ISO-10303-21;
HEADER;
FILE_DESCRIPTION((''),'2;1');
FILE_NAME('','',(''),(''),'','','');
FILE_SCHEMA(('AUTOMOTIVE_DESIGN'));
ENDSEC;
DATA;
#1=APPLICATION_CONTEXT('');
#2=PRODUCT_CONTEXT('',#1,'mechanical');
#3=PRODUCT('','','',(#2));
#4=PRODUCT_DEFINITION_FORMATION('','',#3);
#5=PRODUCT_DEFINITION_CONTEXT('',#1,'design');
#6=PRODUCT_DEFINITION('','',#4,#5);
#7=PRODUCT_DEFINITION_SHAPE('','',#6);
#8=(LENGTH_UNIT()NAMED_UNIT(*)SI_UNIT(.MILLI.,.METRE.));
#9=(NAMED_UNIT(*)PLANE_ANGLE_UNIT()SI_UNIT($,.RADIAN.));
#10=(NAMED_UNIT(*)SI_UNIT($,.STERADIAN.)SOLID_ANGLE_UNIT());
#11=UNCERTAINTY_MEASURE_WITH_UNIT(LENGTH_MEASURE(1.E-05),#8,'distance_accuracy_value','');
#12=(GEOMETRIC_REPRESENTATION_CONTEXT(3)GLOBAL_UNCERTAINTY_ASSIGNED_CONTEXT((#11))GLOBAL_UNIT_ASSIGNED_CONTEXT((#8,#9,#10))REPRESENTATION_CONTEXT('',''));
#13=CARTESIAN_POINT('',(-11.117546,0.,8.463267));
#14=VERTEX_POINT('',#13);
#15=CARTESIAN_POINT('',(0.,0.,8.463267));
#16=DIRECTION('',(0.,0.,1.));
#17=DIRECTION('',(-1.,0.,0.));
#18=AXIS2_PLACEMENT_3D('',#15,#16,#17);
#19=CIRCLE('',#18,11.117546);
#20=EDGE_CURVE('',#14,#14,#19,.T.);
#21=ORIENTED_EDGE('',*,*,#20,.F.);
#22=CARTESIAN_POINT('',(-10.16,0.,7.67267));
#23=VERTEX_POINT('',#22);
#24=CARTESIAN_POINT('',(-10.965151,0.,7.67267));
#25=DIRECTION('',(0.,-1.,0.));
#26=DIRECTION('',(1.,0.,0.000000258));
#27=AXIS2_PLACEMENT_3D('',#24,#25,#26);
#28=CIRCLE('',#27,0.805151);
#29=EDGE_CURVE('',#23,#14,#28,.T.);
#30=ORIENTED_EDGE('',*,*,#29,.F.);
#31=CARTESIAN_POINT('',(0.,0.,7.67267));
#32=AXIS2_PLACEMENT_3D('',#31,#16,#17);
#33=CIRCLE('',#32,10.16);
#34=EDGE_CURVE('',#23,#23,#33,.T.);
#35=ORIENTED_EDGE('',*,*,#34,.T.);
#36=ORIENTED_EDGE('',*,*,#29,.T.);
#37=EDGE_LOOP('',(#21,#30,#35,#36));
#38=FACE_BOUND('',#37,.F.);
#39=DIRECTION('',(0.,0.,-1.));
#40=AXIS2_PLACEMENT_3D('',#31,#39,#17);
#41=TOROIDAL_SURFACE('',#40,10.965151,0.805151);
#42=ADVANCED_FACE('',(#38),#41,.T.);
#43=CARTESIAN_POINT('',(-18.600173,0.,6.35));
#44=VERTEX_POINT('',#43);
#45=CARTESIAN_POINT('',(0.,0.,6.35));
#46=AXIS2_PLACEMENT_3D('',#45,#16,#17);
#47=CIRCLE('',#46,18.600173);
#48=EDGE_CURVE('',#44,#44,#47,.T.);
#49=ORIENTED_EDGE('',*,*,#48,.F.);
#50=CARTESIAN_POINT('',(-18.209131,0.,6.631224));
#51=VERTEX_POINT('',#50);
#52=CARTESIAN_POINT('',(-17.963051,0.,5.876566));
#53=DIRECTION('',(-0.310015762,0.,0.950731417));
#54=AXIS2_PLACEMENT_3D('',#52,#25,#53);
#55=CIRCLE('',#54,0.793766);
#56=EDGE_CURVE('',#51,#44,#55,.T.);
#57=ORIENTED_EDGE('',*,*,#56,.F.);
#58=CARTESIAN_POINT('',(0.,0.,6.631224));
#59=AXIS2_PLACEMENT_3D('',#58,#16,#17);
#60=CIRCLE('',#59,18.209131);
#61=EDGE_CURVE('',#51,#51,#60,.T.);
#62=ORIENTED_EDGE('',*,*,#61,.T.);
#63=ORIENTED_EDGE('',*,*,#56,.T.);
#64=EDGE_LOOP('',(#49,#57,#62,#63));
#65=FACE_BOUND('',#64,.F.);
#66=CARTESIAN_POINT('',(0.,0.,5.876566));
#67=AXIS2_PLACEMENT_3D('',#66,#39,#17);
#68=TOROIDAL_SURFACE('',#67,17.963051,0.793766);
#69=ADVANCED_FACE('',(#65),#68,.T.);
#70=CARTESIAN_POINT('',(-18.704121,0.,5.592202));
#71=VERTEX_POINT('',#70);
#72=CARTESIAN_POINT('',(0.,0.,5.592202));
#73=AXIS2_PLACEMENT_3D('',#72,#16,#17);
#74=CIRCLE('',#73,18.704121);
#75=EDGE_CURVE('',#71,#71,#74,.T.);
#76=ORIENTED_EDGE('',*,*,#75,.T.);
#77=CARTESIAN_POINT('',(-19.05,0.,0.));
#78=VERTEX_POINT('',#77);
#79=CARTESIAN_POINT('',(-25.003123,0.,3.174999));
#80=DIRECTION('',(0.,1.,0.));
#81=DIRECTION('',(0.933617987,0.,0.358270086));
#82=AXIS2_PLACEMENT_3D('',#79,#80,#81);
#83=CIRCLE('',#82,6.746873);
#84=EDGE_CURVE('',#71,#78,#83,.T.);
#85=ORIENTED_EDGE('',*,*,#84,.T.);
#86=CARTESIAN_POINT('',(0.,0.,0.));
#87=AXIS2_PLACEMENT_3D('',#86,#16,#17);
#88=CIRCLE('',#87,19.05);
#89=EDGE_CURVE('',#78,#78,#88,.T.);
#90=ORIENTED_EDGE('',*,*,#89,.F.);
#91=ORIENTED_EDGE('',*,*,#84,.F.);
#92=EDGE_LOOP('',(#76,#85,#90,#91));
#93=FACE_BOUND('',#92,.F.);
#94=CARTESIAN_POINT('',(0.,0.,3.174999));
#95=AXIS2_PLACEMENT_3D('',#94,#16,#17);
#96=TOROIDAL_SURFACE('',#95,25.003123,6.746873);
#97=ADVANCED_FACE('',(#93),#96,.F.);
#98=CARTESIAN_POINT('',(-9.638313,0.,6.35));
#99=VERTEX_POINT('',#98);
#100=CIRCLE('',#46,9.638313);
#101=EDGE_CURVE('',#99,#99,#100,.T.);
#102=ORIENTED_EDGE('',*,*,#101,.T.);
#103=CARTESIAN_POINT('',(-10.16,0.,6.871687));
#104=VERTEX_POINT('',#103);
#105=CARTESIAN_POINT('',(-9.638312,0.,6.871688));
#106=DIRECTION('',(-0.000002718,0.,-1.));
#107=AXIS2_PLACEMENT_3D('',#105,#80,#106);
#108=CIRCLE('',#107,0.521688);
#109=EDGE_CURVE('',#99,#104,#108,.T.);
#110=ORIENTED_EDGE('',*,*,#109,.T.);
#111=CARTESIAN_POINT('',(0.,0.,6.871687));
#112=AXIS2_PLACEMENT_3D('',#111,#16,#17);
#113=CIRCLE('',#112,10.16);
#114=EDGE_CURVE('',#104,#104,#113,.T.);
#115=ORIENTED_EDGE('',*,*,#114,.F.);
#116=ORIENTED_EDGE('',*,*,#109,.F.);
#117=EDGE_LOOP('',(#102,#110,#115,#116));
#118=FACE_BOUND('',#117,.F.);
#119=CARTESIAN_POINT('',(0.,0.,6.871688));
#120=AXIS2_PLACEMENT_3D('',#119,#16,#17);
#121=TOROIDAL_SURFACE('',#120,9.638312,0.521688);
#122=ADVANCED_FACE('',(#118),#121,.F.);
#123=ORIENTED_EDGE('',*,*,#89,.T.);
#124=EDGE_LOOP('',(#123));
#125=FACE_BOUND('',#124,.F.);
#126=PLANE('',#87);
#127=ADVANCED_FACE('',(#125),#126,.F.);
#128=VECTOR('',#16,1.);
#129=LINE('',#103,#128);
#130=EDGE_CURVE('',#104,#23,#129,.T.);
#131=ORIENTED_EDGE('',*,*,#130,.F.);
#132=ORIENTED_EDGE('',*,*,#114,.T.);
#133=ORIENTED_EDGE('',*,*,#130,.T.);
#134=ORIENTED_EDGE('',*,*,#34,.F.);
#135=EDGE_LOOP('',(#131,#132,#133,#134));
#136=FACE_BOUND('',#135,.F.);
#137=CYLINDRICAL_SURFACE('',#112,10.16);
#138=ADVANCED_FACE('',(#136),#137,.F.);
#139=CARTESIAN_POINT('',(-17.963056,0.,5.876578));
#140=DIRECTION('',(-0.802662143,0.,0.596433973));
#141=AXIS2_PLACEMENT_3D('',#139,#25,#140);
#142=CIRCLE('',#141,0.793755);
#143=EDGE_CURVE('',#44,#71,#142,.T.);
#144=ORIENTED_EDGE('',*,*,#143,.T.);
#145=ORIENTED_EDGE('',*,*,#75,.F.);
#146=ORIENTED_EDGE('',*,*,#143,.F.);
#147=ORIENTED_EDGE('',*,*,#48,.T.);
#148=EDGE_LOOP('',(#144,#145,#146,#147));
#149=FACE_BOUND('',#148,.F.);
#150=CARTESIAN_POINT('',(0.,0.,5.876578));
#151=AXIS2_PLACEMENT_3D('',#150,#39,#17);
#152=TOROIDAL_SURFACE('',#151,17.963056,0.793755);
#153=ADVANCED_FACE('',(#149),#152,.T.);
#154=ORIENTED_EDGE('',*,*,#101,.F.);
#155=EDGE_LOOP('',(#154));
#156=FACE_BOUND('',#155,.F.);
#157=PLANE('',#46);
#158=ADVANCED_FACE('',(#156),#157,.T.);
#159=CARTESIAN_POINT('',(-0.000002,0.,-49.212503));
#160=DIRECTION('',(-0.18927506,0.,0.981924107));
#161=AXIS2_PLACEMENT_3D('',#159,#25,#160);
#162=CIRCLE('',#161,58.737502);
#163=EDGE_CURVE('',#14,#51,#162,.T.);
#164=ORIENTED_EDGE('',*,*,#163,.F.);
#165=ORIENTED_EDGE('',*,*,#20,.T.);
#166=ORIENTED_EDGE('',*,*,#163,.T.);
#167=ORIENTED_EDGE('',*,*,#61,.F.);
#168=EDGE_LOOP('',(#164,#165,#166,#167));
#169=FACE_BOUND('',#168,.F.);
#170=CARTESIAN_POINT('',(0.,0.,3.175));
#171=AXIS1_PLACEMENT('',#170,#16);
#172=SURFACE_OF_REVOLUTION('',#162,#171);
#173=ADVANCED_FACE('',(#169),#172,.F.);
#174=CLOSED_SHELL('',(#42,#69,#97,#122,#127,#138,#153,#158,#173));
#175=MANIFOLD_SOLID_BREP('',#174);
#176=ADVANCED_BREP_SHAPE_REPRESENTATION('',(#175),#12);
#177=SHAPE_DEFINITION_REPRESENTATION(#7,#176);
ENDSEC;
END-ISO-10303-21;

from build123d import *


with BuildPart() as f1:
    # F0 (on Front) → F1 (revolve)
    with BuildSketch(Plane.XZ):
        with BuildLine():
            Line((-19.05, 0), (0, 0))
            Line((0, 0), (0, 6.35))
            Line((0, 6.35), (-9.638313, 6.35))
            ThreePointArc((-9.638313, 6.35), (-10.007201, 6.502799), (-10.16, 6.871687))
            Line((-10.16, 6.871687), (-10.16, 7.67267))
            ThreePointArc((-10.16, 7.67267), (-10.452527, 8.293544), (-11.117546, 8.463267))
            ThreePointArc((-11.117546, 8.463267), (-14.691922, 7.657891), (-18.209131, 6.631224))
            ThreePointArc((-18.209131, 6.631224), (-18.426498, 6.520989), (-18.600173, 6.35))
            ThreePointArc((-18.600173, 6.35), (-18.749447, 5.984448), (-18.704121, 5.592202))
            ThreePointArc((-18.704121, 5.592202), (-18.269118, 2.7585), (-19.05, 0))
        make_face()
    revolve(axis=Axis((0, 0, 3.175), (0, 0, 1)))


solid = f1.part
